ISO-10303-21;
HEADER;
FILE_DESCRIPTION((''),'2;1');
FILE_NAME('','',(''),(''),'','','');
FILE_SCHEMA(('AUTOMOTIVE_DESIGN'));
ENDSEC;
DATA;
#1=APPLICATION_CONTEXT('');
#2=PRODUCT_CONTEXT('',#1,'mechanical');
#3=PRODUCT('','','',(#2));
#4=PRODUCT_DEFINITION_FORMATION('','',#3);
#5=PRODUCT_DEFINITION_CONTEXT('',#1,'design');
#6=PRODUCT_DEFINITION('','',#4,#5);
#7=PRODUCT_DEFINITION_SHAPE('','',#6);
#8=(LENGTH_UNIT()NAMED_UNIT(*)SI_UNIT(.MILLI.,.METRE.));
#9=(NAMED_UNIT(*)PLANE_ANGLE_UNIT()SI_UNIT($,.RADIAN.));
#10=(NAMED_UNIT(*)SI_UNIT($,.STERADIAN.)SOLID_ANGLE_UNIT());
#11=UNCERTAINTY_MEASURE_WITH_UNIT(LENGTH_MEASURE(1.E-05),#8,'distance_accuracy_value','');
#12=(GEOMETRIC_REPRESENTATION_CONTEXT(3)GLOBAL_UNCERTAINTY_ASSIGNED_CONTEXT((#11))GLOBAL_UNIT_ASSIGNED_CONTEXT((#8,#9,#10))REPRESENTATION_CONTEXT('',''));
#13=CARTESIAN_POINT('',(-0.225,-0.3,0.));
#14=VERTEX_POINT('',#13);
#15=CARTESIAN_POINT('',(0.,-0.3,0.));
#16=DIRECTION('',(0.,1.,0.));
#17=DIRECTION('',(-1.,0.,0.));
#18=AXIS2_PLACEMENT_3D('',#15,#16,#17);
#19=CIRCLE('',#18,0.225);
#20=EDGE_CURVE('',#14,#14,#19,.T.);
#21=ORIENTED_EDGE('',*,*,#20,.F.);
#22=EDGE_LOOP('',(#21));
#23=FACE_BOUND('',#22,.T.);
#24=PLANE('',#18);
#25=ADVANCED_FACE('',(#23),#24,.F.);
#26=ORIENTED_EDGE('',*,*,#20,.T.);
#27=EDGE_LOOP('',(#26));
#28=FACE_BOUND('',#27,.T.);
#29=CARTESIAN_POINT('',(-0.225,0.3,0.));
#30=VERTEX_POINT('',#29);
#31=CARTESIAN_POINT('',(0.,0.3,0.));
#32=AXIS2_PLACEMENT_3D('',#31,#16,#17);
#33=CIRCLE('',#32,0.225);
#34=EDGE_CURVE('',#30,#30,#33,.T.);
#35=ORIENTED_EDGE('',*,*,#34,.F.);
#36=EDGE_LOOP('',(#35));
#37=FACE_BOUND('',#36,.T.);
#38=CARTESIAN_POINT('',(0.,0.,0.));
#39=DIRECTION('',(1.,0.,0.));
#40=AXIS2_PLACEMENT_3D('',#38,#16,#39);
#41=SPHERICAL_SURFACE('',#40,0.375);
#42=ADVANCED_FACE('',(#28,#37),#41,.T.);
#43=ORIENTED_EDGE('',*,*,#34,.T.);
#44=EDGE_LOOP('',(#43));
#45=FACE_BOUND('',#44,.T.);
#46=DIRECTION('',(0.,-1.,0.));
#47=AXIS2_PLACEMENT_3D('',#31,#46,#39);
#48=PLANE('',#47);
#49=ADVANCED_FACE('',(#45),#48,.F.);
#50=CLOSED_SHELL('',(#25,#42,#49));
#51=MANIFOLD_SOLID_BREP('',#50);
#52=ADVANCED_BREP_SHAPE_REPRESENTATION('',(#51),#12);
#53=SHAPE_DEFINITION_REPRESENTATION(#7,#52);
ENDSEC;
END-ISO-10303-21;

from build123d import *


with BuildPart() as part:
    # Sketch1 → Revolve1 (revolve)
    with BuildSketch(Plane.XY):
        with BuildLine():
            Line((0, 0.3), (0, -0.3))
            Line((0, -0.3), (0.225, -0.3))
            ThreePointArc((0.225, -0.3), (0.375, 0), (0.225, 0.3))
            Line((0.225, 0.3), (0, 0.3))
        make_face()
    revolve(axis=Axis((0, 0.3, 0), (0, -1, 0)))


solid = part.part
